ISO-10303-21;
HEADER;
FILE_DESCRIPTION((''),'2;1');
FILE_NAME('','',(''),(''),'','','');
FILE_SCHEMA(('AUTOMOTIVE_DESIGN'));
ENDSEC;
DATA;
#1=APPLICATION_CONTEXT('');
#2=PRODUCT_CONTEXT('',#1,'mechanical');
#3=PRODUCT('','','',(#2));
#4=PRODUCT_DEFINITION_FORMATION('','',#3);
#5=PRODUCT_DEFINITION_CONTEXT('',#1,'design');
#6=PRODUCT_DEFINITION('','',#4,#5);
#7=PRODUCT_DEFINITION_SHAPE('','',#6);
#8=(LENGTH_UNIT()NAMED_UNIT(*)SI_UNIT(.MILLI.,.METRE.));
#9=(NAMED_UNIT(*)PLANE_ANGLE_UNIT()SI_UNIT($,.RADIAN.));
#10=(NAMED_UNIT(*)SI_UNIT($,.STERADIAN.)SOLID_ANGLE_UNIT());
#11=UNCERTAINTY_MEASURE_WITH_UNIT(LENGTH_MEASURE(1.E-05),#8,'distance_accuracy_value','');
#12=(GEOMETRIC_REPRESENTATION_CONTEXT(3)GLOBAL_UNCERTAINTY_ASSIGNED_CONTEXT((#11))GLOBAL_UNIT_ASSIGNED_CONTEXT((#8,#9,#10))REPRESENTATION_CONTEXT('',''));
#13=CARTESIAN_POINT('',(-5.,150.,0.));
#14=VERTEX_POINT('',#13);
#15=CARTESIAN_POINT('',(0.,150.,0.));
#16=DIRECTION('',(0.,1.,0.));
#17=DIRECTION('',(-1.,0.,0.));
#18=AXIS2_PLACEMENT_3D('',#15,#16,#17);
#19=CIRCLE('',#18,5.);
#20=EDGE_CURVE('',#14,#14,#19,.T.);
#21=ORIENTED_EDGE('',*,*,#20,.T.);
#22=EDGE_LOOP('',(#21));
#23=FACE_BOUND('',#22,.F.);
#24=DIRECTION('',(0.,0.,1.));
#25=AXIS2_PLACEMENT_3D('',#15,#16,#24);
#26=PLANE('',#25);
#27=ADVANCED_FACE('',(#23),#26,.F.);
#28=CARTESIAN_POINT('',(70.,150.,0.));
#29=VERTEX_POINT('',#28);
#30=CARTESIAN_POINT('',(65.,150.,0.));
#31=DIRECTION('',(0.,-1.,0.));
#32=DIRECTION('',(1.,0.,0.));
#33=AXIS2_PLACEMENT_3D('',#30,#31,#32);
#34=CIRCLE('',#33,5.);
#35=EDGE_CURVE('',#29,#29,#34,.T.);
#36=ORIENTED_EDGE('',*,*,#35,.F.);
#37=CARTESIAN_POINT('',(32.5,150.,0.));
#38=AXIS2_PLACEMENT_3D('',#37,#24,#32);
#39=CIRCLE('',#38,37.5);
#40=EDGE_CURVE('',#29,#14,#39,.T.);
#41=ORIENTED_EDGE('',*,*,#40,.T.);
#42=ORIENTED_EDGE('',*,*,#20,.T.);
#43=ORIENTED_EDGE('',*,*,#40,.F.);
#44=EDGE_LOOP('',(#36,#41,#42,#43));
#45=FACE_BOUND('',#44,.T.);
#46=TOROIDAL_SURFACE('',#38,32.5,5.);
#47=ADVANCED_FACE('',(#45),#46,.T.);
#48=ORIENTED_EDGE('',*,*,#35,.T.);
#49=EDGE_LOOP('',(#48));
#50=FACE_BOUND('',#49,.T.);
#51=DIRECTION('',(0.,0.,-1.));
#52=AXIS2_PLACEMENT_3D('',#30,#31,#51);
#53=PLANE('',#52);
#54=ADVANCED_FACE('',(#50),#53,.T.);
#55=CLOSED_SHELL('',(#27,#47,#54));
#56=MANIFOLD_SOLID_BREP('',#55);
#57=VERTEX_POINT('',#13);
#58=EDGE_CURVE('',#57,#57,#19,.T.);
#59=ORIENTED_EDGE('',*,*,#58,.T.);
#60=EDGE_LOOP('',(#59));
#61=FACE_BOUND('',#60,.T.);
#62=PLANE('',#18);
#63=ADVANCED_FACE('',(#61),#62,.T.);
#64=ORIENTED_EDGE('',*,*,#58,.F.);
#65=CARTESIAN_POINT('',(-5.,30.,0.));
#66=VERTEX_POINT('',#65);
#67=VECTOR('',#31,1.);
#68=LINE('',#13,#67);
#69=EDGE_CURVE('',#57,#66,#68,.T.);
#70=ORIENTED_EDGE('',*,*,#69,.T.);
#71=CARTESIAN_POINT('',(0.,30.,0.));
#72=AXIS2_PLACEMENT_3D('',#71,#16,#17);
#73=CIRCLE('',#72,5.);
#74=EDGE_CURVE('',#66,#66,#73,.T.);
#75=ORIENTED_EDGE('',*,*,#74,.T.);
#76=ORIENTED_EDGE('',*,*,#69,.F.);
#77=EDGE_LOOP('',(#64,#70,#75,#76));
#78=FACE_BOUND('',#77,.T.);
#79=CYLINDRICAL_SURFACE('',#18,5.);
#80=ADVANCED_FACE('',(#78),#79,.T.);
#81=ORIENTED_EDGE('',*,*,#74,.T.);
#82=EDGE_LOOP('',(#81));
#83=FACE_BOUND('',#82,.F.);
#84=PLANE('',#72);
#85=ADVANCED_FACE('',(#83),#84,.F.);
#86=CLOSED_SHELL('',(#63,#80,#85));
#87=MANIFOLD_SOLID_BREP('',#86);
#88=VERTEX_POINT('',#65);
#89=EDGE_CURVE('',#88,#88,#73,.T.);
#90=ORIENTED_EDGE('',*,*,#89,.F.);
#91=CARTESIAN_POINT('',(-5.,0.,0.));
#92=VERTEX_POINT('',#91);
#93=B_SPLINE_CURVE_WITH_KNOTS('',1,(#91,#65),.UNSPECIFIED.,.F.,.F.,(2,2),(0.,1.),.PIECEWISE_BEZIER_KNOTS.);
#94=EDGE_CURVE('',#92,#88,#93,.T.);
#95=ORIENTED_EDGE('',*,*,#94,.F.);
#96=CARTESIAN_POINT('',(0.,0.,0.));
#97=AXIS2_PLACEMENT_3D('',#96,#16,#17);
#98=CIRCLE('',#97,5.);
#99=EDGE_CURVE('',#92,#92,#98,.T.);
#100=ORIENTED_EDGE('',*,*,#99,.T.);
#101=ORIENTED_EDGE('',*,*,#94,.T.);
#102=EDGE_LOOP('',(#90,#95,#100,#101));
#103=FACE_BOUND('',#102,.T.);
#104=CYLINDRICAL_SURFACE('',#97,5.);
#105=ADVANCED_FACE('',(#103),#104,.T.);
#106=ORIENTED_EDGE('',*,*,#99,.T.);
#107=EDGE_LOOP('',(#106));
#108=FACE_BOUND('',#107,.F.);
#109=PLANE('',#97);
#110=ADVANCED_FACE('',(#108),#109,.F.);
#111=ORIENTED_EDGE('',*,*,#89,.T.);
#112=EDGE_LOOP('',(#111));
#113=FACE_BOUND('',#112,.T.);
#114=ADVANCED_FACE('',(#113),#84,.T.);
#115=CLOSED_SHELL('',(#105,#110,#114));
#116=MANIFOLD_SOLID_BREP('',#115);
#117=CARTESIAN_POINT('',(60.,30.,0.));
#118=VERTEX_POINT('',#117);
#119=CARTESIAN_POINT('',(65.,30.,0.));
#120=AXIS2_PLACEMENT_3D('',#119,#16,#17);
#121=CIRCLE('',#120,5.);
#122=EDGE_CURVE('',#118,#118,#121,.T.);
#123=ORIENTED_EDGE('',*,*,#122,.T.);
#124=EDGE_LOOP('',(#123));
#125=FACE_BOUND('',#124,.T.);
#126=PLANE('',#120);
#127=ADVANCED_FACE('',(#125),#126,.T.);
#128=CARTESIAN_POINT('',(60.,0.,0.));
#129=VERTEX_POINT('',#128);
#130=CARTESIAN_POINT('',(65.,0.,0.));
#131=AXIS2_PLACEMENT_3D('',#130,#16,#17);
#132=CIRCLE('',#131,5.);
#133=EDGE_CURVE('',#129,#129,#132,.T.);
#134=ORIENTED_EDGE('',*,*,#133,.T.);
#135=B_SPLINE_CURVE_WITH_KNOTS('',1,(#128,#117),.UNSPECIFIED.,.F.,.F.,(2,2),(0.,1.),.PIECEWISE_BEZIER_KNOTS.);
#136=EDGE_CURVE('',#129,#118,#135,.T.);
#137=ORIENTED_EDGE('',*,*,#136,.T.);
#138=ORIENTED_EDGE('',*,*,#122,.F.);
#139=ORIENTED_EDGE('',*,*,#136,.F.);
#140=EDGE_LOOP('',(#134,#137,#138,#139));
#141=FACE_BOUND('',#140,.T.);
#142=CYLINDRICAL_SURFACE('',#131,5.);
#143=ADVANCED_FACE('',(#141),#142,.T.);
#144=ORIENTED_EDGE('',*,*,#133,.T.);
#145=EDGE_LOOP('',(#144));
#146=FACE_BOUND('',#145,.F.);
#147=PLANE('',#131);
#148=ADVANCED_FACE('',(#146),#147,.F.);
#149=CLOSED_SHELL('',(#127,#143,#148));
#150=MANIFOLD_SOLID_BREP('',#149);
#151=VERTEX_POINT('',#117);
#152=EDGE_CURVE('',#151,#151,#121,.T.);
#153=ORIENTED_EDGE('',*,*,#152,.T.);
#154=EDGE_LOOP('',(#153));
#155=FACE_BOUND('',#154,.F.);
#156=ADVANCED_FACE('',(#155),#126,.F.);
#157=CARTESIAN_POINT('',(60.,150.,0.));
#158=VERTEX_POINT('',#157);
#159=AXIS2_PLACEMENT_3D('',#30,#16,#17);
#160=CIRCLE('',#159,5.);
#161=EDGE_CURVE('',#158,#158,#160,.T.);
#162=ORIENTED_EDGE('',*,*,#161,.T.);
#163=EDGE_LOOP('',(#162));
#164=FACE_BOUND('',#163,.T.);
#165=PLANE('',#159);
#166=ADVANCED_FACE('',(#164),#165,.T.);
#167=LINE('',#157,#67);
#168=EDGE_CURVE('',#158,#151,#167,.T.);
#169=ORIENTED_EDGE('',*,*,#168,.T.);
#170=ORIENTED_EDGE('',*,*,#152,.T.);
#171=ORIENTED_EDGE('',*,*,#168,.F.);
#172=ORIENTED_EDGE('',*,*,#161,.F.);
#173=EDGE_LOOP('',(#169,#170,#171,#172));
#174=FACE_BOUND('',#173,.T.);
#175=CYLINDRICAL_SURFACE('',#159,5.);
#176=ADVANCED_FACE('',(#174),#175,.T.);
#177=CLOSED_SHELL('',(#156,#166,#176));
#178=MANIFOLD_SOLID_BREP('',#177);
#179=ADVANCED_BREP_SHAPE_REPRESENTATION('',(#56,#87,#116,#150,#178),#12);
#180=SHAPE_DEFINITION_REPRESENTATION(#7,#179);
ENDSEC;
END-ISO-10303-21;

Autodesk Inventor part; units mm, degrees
sketch "Sketch1" plane through (0, 0, 0) normal (0, 0, 1) x (1, 0, 0)
  line L0 (0, 0) -> (0, 150)
  line L1 (65, 0) -> (65, 150)
  line L2 (0, 0) -> (65, 0)
  arc A0 (65, 150) -> (0, 150) centre (32.5, 150) ccw
  line L3 (65, 0) -> (65, 30)
  line L4 (0, 0) -> (0, 30)
  line L5 (0, 150) -> (65, 150)
  dimension "d40" = 150
  dimension "d51" = 65
  dimension "d55" = 65
  dimension "d56" = 30
  dimension "d57" = 30
ref_plane "Work Plane1" through (0, 150, 0) normal (0, 1, 0) x (-1, 0, 0)
sketch "Sketch2" plane through (0, 150, 0) normal (0, 1, 0) x (-1, 0, 0)
  circle A0 centre (0, 0) radius 5
  dimension "d2" = 10
ref_plane "Work Plane2" through (65, 150, 0) normal (0, 1, 0) x (-1, 0, 0)
sketch "Sketch3" plane through (65, 150, 0) normal (0, 1, 0) x (-1, 0, 0)
  circle A0 centre (0, 0) radius 5
  point P0 (65, 0)
  dimension "d3" = 10
ref_plane "Work Plane3" through (0, 0, 0) normal (0, 1, 0) x (-1, 0, 0)
sketch "Sketch4" plane through (0, 0, 0) normal (0, 1, 0) x (-1, 0, 0)
  circle A0 centre (0, 0) radius 5
  dimension "d4" = 10
ref_plane "Work Plane4" through (65, 0, 0) normal (0, 1, 0) x (-1, 0, 0)
sketch "Sketch5" plane through (65, 0, 0) normal (0, 1, 0) x (-1, 0, 0)
  circle A0 centre (0, 0) radius 5
  point P0 (65, 0)
  dimension "d5" = 10
ref_plane "Work Plane6" through (30, 0, 0) normal (1, 0, 0) x (0, 1, 0)
sketch "Sketch6" plane through (30, 0, 0) normal (1, 0, 0) x (0, 1, 0)
  point P0 (0, 0)
sketch "Sketch7" plane through (30, 0, 0) normal (1, 0, 0) x (0, 1, 0)
  point P0 (0, 0)
sketch "Sketch11" plane through (30, 0, 0) normal (1, 0, 0) x (0, 1, 0)
  point P0 (0, 0)
sketch "Sketch13" plane through (30, 0, 0) normal (1, 0, 0) x (0, 1, 0)
  point P0 (0, 0)
ref_plane "Work Plane10" through (0, 30, 0) normal (0, 1, 0) x (-1, 0, 0)
ref_plane "Work Plane13" through (65, 30, 0) normal (0, 1, 0) x (-1, 0, 0)
sketch "Sketch17" plane through (65, 30, 0) normal (0, 1, 0) x (-1, 0, 0)
  circle A0 centre (0, 0) radius 5
  point P0 (65, 0)
  dimension "d81" = 10
sketch "Sketch18" plane through (0, 30, 0) normal (0, 1, 0) x (-1, 0, 0)
  circle A0 centre (0, 0) radius 5
  dimension "d82" = 10
loft "Loft10" add profiles "Sketch5", "Sketch17"
loft "Loft11" add profiles "Sketch4", "Sketch18"
thread "Thread3" size "M10x1.5" class "6g" standard "ANSI Metric M Profile" full length
thread "Thread4" size "M10x1.5" class "6g" standard "ANSI Metric M Profile" full length
extrude "Extrusion3" add sketch "Sketch2" against normal blind 120 separate body
extrude "Extrusion4" add sketch "Sketch3" against normal blind 120 separate body
sweep "Sweep3" add profiles "Sketch2" path "Sketch1" separate body path curves A0
properties part number "U BOLT" material "Steel, Mild"
